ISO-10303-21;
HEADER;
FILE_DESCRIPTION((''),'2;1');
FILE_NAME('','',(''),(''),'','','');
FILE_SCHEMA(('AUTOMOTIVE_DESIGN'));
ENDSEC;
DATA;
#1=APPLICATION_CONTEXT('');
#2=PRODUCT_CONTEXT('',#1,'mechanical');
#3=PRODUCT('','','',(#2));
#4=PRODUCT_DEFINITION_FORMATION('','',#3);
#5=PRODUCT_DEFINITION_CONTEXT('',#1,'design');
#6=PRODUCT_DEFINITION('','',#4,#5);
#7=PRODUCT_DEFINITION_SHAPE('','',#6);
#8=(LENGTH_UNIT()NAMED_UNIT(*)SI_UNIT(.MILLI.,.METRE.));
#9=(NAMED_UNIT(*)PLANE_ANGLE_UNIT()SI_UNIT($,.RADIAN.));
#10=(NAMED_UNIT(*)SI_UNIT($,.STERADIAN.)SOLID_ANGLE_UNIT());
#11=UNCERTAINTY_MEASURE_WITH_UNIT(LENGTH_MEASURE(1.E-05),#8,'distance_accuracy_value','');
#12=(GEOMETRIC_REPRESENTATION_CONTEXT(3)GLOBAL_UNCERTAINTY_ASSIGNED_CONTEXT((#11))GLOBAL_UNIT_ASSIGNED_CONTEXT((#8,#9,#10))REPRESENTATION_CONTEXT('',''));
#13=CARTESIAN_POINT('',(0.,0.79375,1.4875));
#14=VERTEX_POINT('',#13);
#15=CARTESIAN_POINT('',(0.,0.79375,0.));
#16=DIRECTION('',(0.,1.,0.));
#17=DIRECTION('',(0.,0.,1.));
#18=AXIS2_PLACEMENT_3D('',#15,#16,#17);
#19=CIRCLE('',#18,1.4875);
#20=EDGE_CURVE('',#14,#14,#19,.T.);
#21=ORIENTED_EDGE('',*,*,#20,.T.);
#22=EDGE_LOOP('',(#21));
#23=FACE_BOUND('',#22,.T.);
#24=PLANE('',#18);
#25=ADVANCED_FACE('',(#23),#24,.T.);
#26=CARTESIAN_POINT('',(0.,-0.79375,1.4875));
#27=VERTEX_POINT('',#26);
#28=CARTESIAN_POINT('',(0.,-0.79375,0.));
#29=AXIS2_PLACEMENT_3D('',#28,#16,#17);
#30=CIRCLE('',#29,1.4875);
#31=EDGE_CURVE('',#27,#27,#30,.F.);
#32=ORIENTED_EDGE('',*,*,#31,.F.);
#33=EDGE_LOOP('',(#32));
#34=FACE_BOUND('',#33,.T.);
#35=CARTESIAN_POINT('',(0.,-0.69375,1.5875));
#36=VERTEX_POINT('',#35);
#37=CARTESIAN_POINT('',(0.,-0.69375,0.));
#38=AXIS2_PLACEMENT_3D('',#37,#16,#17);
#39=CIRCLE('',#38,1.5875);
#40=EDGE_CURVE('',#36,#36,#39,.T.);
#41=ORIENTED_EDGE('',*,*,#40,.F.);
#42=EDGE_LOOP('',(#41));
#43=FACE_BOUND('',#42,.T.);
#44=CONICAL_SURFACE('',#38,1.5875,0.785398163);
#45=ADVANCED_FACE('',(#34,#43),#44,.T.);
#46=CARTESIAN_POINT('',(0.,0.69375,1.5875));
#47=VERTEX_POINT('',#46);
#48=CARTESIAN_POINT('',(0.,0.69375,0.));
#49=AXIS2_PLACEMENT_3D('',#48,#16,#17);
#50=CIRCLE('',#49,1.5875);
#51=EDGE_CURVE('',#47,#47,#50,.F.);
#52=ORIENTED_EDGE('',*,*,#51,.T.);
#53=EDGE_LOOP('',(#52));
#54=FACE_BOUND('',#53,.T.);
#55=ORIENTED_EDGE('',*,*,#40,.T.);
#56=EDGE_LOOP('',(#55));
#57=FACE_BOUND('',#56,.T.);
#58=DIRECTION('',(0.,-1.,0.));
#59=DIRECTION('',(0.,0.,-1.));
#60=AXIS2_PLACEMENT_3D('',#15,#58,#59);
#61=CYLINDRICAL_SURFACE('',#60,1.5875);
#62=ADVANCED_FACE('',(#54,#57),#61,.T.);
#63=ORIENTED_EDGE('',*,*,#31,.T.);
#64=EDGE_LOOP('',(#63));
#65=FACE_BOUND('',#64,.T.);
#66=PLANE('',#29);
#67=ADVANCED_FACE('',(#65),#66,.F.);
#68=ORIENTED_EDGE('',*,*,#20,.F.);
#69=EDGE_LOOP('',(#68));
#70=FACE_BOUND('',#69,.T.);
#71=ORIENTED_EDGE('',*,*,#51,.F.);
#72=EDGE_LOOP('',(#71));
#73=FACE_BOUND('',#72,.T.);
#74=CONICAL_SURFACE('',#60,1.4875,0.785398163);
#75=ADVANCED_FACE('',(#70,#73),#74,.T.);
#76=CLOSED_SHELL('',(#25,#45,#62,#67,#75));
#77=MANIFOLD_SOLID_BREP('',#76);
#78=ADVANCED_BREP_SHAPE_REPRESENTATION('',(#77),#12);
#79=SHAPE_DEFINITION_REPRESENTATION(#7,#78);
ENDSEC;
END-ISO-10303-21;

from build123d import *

# Parameters (mm, degrees)
SKETCH1_R           = 1.5875
BOSS_EXTRUDE1_DEPTH = 0.79375
CHAMFER1_SIZE       = 0.1


with BuildPart() as part:
    # Sketch1 → Boss-Extrude1 (new body, symmetric)
    with BuildSketch(Plane(origin=(0, 0, 0), x_dir=(1, 0, 0), z_dir=(0, 1, 0))):
        Circle(SKETCH1_R)
    extrude(amount=BOSS_EXTRUDE1_DEPTH, both=True)

    # Chamfer1
    chamfer1_edges = [part.edges().sort_by_distance(p)[0] for p in [
        (-1.5875, -0.79375, 0),
        (-1.5875, 0.79375, 0),
    ]]
    chamfer(chamfer1_edges, length=CHAMFER1_SIZE)


solid = part.part
